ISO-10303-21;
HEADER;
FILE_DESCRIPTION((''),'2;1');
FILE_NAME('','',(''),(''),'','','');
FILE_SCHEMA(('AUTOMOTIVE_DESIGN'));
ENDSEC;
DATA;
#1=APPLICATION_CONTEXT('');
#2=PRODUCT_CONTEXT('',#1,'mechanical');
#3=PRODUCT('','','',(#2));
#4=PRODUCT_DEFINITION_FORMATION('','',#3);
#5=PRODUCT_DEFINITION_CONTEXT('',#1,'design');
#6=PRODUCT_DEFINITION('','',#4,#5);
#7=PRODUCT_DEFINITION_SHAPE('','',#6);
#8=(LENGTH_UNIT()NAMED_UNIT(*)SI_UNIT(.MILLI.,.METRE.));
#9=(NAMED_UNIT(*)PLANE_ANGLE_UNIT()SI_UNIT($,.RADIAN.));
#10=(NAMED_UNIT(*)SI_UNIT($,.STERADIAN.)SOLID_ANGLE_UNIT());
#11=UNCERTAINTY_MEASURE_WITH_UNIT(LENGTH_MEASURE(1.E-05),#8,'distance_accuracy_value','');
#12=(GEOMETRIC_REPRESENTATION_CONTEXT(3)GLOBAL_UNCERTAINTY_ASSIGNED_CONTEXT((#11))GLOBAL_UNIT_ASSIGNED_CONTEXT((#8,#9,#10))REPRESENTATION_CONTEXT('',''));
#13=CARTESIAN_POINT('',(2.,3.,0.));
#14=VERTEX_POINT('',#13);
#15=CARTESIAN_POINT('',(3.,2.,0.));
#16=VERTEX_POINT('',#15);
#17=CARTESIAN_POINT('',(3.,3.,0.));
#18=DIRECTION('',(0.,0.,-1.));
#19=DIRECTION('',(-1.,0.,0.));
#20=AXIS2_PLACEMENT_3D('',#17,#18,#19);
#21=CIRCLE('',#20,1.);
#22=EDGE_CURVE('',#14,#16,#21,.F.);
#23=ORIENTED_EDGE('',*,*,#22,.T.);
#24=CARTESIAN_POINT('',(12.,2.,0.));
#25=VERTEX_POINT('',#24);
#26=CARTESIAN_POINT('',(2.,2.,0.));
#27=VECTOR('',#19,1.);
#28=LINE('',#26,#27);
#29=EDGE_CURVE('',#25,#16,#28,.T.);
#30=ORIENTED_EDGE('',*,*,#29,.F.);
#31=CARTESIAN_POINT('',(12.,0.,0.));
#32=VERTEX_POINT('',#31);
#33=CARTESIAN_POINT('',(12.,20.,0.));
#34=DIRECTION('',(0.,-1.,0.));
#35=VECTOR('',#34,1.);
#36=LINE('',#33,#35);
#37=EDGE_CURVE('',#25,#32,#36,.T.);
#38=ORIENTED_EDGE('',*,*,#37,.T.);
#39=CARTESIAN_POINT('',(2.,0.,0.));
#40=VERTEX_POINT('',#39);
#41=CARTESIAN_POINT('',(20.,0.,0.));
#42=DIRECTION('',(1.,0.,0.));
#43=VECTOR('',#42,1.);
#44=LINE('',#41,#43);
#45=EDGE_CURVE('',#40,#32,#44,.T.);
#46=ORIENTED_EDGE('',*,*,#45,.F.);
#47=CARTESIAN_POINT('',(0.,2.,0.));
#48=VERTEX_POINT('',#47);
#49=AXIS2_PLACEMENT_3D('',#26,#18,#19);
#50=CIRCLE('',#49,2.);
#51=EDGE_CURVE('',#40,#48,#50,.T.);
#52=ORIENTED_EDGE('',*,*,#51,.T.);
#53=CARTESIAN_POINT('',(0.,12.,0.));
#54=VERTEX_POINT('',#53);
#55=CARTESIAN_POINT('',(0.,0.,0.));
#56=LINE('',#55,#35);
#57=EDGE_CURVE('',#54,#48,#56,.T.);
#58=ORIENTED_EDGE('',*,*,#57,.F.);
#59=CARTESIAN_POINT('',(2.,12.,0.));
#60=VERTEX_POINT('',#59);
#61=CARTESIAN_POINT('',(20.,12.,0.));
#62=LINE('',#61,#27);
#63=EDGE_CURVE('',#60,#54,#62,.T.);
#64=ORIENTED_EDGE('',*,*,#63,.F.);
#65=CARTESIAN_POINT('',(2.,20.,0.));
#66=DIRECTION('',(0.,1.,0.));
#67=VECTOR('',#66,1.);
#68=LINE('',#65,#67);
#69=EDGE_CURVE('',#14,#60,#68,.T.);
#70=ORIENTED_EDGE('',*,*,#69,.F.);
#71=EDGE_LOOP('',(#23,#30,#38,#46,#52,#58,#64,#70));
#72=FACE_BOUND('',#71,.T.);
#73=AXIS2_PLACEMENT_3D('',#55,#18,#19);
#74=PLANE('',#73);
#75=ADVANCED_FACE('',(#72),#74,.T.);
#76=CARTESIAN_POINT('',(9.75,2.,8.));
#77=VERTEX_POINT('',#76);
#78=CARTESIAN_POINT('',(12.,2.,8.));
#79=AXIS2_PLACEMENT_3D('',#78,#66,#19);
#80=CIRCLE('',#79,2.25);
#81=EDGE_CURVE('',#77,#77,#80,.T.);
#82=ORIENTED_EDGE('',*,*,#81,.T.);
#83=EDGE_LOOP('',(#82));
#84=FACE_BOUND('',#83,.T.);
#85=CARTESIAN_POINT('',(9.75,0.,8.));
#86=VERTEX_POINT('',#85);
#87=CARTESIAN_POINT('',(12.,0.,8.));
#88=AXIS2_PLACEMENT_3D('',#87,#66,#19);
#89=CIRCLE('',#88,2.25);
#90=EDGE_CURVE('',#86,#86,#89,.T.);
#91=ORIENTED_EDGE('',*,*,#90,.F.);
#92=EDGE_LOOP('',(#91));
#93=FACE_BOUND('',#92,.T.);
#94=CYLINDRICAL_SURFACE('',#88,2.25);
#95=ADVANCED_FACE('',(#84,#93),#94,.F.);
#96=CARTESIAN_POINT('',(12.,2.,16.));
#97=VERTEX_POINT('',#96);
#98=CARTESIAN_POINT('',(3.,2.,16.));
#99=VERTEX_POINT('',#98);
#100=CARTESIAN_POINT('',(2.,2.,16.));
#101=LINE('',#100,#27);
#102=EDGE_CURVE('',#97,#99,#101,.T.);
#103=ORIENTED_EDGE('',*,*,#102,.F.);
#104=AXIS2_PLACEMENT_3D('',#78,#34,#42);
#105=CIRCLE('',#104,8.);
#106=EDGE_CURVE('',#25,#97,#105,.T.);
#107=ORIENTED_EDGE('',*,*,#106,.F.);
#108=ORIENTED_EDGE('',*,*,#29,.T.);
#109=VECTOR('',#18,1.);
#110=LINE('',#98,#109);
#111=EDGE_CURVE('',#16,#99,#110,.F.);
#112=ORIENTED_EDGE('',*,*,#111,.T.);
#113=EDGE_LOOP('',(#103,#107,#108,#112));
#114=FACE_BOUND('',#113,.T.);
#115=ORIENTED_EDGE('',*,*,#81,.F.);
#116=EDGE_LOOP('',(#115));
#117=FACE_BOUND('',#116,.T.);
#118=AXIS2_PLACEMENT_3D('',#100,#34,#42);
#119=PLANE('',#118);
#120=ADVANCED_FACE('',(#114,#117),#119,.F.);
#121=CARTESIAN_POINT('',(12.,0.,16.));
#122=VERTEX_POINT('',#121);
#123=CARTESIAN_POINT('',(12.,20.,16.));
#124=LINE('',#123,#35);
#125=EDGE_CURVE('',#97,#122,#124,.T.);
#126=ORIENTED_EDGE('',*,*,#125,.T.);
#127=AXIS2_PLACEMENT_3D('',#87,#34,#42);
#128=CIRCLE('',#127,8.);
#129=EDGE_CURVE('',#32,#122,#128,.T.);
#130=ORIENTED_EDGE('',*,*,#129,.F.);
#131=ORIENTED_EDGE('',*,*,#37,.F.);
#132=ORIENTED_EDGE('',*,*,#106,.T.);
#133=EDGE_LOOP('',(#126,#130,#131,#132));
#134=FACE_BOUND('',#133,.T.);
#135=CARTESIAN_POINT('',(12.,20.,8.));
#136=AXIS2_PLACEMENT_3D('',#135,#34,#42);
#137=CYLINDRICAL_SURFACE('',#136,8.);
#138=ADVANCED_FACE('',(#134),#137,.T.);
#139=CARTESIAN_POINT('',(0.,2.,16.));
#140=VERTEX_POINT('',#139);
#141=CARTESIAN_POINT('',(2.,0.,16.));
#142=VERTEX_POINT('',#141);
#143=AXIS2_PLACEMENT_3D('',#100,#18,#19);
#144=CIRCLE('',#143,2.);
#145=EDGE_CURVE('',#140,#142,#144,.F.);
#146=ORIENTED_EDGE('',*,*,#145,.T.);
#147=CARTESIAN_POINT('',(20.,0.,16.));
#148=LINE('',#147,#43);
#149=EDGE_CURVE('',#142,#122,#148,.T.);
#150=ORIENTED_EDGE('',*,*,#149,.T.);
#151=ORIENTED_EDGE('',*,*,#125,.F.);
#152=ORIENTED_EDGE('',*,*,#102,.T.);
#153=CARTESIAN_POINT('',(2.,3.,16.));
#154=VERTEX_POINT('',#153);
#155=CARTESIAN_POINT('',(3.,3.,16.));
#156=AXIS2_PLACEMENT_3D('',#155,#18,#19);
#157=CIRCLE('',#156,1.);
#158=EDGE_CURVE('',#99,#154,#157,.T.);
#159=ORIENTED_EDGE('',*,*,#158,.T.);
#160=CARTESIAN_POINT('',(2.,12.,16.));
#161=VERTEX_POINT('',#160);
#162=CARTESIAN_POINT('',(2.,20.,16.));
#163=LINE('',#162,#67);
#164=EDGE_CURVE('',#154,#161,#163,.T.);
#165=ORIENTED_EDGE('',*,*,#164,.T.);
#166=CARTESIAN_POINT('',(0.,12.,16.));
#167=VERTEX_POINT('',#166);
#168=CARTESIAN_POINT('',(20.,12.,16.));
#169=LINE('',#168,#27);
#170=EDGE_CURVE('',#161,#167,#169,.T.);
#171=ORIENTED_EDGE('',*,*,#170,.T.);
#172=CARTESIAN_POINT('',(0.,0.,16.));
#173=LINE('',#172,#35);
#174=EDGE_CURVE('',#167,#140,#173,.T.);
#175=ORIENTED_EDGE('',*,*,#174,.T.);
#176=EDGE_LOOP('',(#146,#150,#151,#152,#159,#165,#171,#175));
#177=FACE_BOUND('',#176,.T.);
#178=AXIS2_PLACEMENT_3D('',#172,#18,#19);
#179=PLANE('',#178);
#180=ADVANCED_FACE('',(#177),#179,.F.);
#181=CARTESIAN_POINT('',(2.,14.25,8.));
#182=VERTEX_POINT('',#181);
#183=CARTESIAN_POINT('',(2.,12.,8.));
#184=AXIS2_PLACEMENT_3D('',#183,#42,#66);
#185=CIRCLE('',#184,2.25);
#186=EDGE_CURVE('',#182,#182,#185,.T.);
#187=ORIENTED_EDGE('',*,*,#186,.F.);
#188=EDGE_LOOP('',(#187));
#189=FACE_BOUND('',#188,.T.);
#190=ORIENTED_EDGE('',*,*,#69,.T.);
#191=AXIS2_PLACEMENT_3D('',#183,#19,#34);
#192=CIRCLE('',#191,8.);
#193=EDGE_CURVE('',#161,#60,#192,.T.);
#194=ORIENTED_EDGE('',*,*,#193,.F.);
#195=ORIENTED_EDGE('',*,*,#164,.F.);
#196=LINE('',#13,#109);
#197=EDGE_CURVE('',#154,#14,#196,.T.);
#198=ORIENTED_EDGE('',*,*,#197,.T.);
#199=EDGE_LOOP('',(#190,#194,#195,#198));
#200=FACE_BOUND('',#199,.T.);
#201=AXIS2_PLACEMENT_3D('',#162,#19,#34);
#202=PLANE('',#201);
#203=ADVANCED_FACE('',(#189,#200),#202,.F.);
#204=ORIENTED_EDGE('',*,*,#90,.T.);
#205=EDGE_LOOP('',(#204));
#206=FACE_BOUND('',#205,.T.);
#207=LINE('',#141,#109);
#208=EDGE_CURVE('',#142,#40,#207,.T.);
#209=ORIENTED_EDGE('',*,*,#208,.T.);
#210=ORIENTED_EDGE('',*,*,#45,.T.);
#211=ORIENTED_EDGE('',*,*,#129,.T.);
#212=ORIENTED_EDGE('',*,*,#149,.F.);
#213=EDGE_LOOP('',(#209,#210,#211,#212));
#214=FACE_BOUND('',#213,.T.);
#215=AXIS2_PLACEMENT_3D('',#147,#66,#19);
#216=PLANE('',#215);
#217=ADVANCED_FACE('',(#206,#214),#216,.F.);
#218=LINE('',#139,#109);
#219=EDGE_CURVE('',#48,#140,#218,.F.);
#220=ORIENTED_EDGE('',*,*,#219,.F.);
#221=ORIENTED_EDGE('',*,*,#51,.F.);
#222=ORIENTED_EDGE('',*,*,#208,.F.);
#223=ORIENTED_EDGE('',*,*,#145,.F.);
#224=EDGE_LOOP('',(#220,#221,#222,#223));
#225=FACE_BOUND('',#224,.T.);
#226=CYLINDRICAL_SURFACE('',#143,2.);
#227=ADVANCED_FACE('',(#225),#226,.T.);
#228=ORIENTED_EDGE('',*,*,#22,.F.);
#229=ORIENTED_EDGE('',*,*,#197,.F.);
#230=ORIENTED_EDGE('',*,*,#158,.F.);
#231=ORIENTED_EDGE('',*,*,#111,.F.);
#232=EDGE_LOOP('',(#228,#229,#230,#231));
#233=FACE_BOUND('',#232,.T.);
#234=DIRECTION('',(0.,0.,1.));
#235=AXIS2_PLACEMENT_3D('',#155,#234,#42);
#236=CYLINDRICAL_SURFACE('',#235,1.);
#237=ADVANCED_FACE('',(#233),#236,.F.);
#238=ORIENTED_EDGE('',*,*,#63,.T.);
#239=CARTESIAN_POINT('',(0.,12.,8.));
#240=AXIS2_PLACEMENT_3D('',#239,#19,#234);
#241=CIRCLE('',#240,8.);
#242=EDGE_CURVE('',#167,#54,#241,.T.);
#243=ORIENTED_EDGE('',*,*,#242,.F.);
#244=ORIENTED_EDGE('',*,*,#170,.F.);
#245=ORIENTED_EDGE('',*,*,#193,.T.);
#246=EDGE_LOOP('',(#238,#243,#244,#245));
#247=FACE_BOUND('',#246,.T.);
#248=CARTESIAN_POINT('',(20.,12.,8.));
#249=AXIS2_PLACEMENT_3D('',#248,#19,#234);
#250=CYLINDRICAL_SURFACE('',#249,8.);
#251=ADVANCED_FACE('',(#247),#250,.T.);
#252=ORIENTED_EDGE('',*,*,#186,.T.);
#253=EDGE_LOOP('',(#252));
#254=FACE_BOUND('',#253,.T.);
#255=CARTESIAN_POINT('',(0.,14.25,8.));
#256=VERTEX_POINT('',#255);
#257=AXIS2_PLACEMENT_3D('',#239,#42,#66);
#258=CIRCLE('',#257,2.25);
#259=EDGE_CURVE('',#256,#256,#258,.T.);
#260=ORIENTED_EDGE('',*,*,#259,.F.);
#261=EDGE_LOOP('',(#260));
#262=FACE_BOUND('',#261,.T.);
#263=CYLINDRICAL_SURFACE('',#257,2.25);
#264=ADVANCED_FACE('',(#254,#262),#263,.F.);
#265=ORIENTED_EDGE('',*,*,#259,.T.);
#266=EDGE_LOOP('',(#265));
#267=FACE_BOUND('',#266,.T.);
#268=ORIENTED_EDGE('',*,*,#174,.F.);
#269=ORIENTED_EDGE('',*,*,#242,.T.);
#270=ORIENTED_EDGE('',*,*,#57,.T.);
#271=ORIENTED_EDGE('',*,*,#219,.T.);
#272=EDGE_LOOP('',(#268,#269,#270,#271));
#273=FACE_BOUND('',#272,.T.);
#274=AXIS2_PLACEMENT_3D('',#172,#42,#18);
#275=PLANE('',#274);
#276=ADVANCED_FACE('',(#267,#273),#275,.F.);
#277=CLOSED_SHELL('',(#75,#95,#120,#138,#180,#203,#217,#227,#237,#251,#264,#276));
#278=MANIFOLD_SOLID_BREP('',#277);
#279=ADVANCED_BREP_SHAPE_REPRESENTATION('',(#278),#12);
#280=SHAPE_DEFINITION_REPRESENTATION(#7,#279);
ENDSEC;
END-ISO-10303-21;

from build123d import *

# Parameters (mm, degrees)
EXTRUDE_1_DEPTH     = 16
CUT_EXTRUDE_1_DEPTH = 21
CUT_EXTRUDE_2_DEPTH = 21
FILLET_1_R          = 1
FILLET_2_R          = 2
SKETCH_4_R          = 2.25
CUT_EXTRUDE_3_DEPTH = 3
SKETCH_5_R          = 2.25
CUT_EXTRUDE_4_DEPTH = 3


with BuildPart() as part:
    # Sketch 1 → Бобышка-Вытянуть1 (new body)
    with BuildSketch(Plane.XY):
        Polygon((0, 0), (0, 20), (2, 20), (2, 2), (20, 2), (20, 0), align=None)
    extrude(amount=EXTRUDE_1_DEPTH)

    # Эскиз2 → Вырез-Вытянуть1 (cut, through all)
    with BuildSketch(Plane.XZ):
        with BuildLine():
            Line((20, 0), (20, 8.000000031))
            ThreePointArc((20, 8.000000031), (17.656854261, 2.343145762), (12, 0))
            Line((12, 0), (20, 0))
        make_face()
        with BuildLine():
            Line((20, 16), (12, 16))
            ThreePointArc((12, 16), (17.656854238, 13.656854261), (20, 8.000000031))
            Line((20, 8.000000031), (20, 16))
        make_face()
    extrude(amount=-CUT_EXTRUDE_1_DEPTH, mode=Mode.SUBTRACT)

    # Эскиз3 → Вырез-Вытянуть2 (cut, through all)
    with BuildSketch(Plane.ZY):
        with BuildLine():
            Line((8, 20), (0, 20))
            Line((0, 20), (0, 12))
            ThreePointArc((0, 12), (2.343145751, 17.656854249), (8, 20))
        make_face()
        with BuildLine():
            Line((16, 20), (8, 20))
            ThreePointArc((8, 20), (13.656854249, 17.656854249), (16, 12))
            Line((16, 12), (16, 20))
        make_face()
    extrude(amount=-CUT_EXTRUDE_2_DEPTH, mode=Mode.SUBTRACT)

    # Скругление1
    fillet_1_edges = [part.edges().sort_by_distance(p)[0] for p in [
        (2, 2, 8),
    ]]
    fillet(fillet_1_edges, radius=FILLET_1_R)

    # Скругление2
    fillet_2_edges = [part.edges().sort_by_distance(p)[0] for p in [
        (0, 0, 8),
    ]]
    fillet(fillet_2_edges, radius=FILLET_2_R)

    # Эскиз4 → Вырез-Вытянуть3 (cut, through all)
    with BuildSketch(Plane(origin=(2, 0, 0), x_dir=(0, 0, -1), z_dir=(1, 0, 0))):
        with Locations((-8, 12)):
            Circle(SKETCH_4_R)
    extrude(amount=-CUT_EXTRUDE_3_DEPTH, mode=Mode.SUBTRACT)

    # Эскиз5 → Вырез-Вытянуть4 (cut, through all)
    with BuildSketch(Plane(origin=(0, 2, 0), x_dir=(1, 0, 0), z_dir=(0, 1, 0))):
        with Locations((12, -8)):
            Circle(SKETCH_5_R)
    extrude(amount=-CUT_EXTRUDE_4_DEPTH, mode=Mode.SUBTRACT)


solid = part.part
